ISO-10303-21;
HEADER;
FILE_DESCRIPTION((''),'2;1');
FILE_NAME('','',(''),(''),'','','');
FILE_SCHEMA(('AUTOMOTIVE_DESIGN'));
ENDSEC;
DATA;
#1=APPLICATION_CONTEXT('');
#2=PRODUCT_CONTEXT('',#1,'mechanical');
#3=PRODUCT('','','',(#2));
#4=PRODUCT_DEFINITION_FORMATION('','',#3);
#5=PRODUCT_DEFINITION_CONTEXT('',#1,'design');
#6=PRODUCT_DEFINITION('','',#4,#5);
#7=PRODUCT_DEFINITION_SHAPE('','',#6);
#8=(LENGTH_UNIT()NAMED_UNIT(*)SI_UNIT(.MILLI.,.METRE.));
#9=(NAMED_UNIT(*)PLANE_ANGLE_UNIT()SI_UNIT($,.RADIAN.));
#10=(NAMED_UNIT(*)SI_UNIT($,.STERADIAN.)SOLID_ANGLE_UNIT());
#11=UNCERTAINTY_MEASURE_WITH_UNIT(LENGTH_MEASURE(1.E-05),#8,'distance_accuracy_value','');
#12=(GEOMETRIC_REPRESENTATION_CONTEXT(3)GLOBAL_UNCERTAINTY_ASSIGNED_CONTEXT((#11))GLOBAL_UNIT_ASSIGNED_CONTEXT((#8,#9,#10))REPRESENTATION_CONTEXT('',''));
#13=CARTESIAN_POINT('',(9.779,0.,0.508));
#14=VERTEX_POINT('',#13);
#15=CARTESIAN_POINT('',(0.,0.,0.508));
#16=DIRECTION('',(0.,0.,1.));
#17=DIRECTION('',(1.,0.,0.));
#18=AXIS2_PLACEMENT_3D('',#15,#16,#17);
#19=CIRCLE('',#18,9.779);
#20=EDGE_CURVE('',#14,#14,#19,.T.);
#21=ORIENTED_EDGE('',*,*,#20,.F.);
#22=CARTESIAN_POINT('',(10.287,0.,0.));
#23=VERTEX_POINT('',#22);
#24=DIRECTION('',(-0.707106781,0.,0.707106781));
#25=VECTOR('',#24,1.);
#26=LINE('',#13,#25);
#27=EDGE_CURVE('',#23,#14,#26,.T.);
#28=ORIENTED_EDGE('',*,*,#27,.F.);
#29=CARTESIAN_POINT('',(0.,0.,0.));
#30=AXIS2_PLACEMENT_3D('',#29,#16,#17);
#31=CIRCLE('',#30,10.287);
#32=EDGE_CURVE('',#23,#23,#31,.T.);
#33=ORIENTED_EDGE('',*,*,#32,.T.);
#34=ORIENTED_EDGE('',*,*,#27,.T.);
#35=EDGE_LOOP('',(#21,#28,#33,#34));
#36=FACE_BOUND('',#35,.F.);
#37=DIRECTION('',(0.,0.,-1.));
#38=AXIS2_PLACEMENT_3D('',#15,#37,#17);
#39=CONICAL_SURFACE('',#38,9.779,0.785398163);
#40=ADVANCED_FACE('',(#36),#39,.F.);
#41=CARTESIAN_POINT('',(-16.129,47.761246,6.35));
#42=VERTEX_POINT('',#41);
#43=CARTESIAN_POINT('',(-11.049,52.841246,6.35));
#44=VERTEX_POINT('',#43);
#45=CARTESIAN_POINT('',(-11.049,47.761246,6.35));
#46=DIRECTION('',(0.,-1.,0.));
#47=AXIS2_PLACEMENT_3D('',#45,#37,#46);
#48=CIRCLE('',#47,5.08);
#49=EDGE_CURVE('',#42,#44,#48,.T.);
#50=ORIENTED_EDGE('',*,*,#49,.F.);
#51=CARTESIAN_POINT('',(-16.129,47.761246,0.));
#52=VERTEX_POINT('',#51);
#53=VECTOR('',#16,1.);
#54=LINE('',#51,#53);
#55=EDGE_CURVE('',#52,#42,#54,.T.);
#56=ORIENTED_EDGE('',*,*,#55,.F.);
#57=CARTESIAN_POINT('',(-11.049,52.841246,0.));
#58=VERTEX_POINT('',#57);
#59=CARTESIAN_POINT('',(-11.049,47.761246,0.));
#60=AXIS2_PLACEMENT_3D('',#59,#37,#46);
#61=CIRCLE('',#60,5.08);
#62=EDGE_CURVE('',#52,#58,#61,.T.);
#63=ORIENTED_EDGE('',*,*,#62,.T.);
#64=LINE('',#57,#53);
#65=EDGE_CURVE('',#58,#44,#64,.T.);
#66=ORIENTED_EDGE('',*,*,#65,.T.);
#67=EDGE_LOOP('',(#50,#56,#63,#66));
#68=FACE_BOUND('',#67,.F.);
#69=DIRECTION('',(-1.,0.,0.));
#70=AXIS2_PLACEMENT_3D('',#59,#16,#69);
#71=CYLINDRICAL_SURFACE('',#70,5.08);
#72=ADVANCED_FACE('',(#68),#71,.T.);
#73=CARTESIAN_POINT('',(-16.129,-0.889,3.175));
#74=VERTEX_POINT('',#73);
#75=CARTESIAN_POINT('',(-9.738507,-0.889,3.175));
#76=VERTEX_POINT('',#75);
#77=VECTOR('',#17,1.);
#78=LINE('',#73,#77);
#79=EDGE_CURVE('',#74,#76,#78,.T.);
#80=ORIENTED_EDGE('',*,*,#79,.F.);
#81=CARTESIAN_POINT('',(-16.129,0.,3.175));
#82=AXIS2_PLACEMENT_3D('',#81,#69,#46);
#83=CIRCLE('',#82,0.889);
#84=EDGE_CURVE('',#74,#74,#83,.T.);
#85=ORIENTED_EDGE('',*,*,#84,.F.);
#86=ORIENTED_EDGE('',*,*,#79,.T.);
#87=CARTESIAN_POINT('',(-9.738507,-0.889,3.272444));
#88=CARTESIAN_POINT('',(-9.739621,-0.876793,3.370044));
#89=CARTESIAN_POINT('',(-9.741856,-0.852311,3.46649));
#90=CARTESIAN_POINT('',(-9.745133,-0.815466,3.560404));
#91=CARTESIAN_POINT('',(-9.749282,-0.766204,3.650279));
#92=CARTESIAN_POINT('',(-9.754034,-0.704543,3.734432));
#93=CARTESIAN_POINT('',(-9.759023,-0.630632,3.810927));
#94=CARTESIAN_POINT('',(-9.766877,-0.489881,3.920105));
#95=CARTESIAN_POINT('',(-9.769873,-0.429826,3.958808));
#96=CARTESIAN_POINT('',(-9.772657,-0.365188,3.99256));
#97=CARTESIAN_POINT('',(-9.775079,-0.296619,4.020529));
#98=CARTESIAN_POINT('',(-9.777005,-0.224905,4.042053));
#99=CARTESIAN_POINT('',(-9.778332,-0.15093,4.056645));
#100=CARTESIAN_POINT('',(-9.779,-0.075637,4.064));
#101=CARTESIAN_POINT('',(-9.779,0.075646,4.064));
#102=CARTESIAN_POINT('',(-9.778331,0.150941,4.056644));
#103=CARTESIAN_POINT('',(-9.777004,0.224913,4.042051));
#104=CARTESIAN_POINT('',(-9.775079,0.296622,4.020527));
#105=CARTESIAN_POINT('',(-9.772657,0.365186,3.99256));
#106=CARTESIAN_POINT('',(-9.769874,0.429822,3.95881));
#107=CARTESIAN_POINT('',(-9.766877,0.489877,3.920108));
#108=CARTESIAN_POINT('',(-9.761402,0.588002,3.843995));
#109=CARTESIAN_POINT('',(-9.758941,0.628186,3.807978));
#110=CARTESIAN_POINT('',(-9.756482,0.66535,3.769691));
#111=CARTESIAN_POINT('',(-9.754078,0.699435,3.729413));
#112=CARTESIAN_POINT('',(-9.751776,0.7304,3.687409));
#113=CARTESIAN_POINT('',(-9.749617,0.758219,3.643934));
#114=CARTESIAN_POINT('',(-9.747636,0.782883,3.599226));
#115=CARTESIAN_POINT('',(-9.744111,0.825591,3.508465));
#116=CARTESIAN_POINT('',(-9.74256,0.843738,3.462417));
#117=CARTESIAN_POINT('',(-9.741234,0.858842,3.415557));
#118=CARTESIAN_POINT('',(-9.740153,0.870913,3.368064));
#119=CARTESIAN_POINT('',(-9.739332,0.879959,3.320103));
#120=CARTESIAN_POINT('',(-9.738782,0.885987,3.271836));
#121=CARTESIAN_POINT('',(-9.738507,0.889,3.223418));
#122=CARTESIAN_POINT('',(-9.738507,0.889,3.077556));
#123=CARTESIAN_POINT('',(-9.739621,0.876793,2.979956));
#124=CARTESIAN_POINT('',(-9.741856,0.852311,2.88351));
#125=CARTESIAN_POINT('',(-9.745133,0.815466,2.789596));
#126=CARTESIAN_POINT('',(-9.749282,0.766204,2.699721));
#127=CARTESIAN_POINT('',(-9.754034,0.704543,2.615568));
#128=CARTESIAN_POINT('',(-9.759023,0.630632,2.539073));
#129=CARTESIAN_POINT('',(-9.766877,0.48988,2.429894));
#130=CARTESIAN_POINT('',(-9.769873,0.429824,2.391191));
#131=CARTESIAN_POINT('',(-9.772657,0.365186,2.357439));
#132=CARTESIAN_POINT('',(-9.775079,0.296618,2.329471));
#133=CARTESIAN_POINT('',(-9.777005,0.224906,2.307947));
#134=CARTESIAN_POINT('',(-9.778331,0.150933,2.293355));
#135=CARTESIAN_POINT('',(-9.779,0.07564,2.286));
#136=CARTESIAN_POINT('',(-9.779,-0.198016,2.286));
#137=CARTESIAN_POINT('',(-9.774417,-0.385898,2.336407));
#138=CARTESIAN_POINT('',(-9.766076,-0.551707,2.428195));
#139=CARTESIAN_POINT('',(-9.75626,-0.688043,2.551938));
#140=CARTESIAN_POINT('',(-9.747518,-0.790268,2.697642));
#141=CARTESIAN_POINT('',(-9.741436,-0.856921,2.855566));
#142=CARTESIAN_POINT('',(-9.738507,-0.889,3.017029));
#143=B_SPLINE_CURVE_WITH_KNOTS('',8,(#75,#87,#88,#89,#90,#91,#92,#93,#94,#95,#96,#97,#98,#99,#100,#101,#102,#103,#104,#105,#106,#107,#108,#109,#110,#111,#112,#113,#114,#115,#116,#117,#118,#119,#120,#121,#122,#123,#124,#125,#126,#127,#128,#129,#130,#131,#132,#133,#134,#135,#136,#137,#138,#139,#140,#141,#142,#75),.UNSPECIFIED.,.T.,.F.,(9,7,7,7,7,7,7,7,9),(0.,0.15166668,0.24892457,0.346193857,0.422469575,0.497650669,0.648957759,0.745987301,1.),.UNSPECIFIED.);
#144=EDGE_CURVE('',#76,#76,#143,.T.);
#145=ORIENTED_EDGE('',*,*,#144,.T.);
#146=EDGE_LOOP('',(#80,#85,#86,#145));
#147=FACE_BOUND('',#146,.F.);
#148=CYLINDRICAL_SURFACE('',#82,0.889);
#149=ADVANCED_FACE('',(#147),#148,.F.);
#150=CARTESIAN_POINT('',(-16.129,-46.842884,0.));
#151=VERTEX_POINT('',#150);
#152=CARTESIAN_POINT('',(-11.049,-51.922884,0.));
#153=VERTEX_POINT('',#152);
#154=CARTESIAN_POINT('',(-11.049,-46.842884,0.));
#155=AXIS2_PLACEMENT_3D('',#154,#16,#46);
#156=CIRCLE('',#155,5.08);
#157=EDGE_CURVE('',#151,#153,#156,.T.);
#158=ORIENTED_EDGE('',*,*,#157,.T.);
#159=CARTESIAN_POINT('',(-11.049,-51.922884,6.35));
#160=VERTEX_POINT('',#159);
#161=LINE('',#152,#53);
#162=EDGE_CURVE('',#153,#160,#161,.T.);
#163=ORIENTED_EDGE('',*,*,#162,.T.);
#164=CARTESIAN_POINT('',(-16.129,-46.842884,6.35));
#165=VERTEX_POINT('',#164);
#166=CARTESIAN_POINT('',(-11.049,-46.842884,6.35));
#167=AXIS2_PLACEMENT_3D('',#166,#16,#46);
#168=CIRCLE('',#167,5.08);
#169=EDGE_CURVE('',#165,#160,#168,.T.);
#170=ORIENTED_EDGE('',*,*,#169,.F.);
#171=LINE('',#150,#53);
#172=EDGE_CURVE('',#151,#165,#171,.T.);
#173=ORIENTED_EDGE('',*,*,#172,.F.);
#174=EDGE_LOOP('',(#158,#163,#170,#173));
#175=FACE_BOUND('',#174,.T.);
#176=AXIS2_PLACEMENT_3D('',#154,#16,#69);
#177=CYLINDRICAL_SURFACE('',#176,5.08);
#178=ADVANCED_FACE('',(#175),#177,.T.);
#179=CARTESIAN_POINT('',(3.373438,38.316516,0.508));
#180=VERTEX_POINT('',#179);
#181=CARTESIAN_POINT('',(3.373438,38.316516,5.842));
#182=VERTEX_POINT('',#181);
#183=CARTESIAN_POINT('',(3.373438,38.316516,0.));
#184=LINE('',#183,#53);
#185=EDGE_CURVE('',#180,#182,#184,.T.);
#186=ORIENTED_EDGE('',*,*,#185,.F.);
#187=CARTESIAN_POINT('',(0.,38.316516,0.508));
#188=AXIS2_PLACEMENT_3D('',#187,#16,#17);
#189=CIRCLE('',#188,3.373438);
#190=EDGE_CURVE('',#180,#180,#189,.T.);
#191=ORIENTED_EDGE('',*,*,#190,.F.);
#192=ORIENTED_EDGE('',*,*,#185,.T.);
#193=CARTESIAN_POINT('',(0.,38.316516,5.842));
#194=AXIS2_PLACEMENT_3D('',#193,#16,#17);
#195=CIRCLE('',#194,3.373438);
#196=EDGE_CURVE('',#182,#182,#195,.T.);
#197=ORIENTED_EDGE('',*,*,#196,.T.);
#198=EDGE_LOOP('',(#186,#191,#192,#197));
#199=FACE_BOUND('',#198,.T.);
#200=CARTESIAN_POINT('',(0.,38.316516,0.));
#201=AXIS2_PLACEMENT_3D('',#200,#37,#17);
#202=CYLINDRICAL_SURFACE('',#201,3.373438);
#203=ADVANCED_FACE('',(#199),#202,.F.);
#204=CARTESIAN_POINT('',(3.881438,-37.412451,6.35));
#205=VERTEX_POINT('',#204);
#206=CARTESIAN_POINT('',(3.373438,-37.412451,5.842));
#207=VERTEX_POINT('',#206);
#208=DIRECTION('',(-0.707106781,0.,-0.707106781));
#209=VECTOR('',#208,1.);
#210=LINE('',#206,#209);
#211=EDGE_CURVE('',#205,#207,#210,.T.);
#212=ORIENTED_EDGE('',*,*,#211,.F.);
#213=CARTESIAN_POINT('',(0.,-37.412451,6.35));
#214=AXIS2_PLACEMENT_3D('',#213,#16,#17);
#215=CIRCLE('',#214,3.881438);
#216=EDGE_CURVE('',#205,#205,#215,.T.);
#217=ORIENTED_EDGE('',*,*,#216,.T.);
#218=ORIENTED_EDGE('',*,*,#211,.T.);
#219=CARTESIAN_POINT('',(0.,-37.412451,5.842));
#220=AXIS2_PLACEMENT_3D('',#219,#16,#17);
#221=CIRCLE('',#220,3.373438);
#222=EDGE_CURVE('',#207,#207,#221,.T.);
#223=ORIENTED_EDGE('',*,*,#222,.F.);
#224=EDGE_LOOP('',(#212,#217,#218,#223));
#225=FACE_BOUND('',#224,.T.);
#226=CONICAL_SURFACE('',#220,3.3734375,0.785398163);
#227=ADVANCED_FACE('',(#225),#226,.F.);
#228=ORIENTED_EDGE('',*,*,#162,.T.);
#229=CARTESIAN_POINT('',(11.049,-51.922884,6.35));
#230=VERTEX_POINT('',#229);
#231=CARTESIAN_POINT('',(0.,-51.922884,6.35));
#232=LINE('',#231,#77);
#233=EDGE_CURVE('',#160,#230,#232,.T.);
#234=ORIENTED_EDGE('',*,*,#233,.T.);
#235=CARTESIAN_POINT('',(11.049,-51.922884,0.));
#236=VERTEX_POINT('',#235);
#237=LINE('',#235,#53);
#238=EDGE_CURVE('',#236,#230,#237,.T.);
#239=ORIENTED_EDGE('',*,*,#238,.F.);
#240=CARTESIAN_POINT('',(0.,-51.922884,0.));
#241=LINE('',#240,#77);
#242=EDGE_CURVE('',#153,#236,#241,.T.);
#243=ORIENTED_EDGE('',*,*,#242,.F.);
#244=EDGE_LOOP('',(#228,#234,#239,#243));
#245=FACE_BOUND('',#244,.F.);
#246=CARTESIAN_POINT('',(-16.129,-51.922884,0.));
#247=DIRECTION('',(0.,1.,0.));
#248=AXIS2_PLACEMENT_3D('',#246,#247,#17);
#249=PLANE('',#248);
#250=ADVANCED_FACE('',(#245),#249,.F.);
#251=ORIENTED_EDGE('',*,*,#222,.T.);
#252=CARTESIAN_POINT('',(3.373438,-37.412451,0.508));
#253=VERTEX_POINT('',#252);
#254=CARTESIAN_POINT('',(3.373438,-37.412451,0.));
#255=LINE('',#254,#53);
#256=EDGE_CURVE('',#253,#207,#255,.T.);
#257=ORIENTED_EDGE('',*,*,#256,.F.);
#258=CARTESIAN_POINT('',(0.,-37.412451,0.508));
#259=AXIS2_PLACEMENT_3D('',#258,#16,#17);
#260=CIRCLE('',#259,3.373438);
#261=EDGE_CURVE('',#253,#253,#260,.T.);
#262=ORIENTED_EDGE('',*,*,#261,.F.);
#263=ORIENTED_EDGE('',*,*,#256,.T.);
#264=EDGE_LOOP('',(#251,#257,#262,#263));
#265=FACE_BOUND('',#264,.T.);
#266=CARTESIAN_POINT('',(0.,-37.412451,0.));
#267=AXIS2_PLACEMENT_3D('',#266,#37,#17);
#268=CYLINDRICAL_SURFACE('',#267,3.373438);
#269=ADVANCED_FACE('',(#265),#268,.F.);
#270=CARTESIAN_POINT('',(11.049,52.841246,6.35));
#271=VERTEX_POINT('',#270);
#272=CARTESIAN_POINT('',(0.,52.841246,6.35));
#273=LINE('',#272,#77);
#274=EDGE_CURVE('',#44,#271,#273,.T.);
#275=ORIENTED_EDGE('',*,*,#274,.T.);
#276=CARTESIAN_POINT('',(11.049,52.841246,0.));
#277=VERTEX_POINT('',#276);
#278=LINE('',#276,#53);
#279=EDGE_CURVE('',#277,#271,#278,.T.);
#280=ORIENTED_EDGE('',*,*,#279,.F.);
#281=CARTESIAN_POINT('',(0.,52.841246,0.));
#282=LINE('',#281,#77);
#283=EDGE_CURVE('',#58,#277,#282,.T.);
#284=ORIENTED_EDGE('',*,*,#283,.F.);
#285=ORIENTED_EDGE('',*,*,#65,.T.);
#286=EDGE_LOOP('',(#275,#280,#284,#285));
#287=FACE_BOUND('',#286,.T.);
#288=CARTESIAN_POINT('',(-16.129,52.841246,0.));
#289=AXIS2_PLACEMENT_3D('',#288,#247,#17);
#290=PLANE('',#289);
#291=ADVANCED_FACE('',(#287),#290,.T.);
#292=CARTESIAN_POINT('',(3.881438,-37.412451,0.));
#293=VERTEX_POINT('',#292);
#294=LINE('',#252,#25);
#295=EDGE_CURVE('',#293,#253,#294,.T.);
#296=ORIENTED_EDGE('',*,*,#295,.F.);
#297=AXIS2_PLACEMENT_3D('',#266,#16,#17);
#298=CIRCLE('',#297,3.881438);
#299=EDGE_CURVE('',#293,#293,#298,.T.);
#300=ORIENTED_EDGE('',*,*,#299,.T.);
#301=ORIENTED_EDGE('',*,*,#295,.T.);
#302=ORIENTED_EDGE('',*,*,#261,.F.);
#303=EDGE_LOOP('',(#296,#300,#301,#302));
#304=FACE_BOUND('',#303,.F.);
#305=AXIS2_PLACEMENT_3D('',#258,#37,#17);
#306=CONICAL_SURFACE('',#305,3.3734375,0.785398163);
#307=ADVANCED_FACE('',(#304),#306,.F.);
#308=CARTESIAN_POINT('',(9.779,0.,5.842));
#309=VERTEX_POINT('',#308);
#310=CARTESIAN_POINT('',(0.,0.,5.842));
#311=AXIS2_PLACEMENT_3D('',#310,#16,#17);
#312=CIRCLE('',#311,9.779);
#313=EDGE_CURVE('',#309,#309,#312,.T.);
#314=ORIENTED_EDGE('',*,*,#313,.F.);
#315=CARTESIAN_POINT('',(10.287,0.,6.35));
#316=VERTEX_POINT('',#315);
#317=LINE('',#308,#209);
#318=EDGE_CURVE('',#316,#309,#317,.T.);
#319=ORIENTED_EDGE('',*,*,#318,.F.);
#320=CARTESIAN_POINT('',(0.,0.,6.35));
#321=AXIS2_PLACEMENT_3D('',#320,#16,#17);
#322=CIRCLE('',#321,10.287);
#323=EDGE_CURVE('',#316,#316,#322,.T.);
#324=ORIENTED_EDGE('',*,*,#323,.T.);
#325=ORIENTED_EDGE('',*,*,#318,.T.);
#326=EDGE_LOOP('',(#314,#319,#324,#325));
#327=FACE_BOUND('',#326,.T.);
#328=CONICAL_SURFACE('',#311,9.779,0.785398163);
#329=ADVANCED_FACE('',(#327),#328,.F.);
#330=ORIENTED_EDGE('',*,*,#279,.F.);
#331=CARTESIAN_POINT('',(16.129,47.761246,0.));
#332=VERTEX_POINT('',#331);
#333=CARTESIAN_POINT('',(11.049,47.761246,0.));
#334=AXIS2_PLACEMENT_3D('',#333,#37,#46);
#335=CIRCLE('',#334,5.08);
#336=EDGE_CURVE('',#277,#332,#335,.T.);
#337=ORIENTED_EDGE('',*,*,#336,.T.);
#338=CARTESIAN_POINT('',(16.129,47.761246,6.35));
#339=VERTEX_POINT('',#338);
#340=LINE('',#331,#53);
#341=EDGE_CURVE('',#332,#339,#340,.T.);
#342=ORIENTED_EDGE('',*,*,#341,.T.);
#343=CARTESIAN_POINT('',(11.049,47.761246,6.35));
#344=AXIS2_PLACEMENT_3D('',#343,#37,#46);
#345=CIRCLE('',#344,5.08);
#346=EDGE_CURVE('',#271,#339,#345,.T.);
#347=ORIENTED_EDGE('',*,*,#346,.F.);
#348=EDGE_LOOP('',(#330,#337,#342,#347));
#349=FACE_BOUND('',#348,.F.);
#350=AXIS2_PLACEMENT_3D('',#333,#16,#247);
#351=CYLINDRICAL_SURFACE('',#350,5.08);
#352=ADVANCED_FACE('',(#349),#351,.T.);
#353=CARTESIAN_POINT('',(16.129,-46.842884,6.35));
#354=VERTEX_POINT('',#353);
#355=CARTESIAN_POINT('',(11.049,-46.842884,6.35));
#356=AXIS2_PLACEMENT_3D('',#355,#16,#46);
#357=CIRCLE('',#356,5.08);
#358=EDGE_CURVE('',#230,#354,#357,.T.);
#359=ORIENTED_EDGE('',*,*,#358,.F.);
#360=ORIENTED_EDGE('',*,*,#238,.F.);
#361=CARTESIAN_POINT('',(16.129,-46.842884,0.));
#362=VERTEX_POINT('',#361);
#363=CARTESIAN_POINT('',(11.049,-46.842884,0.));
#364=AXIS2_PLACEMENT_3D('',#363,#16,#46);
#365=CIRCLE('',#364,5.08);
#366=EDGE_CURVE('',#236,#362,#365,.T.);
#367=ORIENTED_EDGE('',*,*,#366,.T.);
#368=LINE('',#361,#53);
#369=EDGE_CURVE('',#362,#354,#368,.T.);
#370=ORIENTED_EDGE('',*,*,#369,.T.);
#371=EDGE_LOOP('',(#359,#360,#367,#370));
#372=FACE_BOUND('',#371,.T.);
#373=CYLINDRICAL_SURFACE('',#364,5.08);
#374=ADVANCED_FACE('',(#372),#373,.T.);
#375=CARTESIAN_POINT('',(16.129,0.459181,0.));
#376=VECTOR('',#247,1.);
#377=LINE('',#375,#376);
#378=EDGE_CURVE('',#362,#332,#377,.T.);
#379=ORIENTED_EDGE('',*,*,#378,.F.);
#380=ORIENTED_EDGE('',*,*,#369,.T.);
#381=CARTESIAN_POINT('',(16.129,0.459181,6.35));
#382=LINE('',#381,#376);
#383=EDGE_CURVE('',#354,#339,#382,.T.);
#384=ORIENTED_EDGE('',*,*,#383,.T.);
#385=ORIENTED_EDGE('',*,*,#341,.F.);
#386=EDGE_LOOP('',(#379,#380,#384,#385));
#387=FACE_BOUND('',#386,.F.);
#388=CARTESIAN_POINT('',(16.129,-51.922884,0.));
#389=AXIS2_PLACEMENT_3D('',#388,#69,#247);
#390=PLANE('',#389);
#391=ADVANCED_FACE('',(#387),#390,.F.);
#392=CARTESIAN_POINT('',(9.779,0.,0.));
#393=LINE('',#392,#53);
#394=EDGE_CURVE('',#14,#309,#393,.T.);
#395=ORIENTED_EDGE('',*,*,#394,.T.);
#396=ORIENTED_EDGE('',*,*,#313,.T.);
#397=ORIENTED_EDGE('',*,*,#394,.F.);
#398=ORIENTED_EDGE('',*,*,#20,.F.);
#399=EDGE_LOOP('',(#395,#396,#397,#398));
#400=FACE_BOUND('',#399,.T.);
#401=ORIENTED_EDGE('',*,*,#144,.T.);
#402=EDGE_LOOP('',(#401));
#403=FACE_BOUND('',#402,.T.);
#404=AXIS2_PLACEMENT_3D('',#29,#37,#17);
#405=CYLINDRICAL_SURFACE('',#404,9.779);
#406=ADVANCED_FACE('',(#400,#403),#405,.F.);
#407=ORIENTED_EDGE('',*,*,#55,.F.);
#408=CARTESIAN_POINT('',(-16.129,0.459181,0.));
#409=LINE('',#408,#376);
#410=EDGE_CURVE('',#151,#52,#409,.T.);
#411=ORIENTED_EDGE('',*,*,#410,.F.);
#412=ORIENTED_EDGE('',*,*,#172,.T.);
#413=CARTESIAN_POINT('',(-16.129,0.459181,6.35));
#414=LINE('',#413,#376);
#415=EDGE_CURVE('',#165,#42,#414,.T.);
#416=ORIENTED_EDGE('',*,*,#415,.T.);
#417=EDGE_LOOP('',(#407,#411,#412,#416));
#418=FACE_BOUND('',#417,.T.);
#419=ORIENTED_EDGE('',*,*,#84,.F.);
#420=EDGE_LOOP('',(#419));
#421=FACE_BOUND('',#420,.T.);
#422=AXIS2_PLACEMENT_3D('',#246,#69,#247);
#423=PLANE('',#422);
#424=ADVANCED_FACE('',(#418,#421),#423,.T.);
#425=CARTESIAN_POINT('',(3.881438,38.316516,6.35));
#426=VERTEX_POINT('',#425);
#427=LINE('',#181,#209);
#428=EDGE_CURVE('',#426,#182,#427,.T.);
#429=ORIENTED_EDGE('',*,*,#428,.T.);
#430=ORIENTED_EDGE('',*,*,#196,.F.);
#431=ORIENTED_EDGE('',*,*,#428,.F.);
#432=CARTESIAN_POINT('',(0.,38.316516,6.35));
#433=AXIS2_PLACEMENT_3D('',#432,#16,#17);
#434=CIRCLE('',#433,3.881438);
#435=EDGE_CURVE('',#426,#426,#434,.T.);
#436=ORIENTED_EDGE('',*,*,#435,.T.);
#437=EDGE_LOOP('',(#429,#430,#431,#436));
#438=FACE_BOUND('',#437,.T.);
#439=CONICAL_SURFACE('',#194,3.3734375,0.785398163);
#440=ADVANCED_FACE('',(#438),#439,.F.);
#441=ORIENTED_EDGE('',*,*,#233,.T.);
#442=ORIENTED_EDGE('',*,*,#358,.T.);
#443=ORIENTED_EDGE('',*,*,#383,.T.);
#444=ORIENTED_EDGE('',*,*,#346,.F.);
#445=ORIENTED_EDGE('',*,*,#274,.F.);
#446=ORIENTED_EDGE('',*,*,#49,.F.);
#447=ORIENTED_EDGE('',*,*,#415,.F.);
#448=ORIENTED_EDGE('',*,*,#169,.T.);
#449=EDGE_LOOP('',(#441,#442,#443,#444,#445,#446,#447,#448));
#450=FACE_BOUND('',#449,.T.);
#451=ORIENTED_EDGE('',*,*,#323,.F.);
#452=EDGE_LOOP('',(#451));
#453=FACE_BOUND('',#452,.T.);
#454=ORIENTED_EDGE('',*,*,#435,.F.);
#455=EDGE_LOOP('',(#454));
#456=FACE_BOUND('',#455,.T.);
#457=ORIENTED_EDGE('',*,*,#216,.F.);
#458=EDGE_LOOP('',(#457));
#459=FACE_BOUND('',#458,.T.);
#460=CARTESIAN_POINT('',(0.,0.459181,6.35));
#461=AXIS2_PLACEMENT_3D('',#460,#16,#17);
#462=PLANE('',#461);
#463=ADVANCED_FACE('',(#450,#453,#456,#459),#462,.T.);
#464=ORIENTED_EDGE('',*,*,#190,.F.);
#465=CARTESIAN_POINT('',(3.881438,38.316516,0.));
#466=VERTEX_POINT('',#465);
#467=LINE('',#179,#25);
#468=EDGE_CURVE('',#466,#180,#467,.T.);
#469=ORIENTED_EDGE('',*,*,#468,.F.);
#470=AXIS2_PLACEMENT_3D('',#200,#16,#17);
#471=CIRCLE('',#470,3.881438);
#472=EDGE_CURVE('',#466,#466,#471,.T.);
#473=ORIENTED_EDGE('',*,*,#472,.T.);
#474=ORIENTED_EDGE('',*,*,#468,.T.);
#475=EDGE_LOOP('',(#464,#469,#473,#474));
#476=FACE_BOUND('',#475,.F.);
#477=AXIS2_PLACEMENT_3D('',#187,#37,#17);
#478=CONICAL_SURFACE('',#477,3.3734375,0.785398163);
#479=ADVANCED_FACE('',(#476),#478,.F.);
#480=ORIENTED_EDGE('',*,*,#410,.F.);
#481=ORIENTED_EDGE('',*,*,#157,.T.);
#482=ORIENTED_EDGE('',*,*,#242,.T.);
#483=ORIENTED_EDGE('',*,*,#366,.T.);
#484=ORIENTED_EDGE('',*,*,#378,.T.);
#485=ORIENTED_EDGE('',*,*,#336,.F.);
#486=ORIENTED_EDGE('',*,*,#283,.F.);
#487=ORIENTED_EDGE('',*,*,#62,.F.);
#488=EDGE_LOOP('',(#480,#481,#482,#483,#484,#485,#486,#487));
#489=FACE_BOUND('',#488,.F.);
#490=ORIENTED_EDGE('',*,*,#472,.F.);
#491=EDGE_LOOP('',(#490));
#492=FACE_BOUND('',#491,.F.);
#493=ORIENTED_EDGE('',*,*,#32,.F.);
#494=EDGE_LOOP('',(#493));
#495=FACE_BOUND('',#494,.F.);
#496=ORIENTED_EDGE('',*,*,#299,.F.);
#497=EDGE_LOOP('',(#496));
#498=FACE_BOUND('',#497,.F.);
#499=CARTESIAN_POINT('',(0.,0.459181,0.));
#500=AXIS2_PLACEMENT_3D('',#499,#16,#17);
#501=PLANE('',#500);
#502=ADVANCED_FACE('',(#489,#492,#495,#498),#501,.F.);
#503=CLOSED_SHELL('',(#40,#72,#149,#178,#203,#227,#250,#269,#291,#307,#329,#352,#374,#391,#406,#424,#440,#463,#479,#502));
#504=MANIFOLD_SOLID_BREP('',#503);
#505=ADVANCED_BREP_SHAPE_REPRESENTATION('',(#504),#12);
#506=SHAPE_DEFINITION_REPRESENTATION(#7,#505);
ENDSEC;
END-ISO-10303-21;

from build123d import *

# Parameters (mm, degrees)
F0_W     = 32.258
F0_H     = 104.7641299665
F0_R     = 3.3734375
F0_R_2   = 9.779
F1_DEPTH = 6.35
F2_R     = 0.889
F3_DEPTH = 6.3914930276
F4_R     = 5.08
F5_SIZE  = 0.508


with BuildPart() as f1:
    # F0 (on Top) → F1 (new body)
    with BuildSketch(Plane.XY):
        with Locations((0, 0.4591811448)):
            Rectangle(F0_W, F0_H)
        with Locations((0, -37.4124510398)):
            Circle(F0_R, mode=Mode.SUBTRACT)
        Circle(F0_R_2, mode=Mode.SUBTRACT)
        with Locations((0, 38.3165156772)):
            Circle(F0_R, mode=Mode.SUBTRACT)
    extrude(amount=F1_DEPTH)

    # F2 (on face) → F3 (cut, through all)
    with BuildSketch(Plane(origin=(-16.129, 0, 0), x_dir=(0, -1, 0), z_dir=(-1, 0, 0))):
        with Locations((0, 3.175)):
            Circle(F2_R)
    extrude(amount=-F3_DEPTH, mode=Mode.SUBTRACT)

    # F4
    f4_edges = [f1.edges().sort_by_distance(p)[0] for p in [
        (-16.129, 52.841246, 3.175),
        (-16.129, -51.922884, 3.175),
        (16.129, -51.922884, 3.175),
        (16.129, 52.841246, 3.175),
    ]]
    fillet(f4_edges, radius=F4_R)

    # F5
    f5_edges = [f1.edges().sort_by_distance(p)[0] for p in [
        (-3.373437, 38.316516, 6.35),
        (-3.373437, 38.316516, 0),
        (-9.779, 0, 0),
        (-3.373437, -37.412451, 0),
        (-3.373437, -37.412451, 6.35),
        (-9.779, 0, 6.35),
    ]]
    chamfer(f5_edges, length=F5_SIZE)


solid = f1.part
